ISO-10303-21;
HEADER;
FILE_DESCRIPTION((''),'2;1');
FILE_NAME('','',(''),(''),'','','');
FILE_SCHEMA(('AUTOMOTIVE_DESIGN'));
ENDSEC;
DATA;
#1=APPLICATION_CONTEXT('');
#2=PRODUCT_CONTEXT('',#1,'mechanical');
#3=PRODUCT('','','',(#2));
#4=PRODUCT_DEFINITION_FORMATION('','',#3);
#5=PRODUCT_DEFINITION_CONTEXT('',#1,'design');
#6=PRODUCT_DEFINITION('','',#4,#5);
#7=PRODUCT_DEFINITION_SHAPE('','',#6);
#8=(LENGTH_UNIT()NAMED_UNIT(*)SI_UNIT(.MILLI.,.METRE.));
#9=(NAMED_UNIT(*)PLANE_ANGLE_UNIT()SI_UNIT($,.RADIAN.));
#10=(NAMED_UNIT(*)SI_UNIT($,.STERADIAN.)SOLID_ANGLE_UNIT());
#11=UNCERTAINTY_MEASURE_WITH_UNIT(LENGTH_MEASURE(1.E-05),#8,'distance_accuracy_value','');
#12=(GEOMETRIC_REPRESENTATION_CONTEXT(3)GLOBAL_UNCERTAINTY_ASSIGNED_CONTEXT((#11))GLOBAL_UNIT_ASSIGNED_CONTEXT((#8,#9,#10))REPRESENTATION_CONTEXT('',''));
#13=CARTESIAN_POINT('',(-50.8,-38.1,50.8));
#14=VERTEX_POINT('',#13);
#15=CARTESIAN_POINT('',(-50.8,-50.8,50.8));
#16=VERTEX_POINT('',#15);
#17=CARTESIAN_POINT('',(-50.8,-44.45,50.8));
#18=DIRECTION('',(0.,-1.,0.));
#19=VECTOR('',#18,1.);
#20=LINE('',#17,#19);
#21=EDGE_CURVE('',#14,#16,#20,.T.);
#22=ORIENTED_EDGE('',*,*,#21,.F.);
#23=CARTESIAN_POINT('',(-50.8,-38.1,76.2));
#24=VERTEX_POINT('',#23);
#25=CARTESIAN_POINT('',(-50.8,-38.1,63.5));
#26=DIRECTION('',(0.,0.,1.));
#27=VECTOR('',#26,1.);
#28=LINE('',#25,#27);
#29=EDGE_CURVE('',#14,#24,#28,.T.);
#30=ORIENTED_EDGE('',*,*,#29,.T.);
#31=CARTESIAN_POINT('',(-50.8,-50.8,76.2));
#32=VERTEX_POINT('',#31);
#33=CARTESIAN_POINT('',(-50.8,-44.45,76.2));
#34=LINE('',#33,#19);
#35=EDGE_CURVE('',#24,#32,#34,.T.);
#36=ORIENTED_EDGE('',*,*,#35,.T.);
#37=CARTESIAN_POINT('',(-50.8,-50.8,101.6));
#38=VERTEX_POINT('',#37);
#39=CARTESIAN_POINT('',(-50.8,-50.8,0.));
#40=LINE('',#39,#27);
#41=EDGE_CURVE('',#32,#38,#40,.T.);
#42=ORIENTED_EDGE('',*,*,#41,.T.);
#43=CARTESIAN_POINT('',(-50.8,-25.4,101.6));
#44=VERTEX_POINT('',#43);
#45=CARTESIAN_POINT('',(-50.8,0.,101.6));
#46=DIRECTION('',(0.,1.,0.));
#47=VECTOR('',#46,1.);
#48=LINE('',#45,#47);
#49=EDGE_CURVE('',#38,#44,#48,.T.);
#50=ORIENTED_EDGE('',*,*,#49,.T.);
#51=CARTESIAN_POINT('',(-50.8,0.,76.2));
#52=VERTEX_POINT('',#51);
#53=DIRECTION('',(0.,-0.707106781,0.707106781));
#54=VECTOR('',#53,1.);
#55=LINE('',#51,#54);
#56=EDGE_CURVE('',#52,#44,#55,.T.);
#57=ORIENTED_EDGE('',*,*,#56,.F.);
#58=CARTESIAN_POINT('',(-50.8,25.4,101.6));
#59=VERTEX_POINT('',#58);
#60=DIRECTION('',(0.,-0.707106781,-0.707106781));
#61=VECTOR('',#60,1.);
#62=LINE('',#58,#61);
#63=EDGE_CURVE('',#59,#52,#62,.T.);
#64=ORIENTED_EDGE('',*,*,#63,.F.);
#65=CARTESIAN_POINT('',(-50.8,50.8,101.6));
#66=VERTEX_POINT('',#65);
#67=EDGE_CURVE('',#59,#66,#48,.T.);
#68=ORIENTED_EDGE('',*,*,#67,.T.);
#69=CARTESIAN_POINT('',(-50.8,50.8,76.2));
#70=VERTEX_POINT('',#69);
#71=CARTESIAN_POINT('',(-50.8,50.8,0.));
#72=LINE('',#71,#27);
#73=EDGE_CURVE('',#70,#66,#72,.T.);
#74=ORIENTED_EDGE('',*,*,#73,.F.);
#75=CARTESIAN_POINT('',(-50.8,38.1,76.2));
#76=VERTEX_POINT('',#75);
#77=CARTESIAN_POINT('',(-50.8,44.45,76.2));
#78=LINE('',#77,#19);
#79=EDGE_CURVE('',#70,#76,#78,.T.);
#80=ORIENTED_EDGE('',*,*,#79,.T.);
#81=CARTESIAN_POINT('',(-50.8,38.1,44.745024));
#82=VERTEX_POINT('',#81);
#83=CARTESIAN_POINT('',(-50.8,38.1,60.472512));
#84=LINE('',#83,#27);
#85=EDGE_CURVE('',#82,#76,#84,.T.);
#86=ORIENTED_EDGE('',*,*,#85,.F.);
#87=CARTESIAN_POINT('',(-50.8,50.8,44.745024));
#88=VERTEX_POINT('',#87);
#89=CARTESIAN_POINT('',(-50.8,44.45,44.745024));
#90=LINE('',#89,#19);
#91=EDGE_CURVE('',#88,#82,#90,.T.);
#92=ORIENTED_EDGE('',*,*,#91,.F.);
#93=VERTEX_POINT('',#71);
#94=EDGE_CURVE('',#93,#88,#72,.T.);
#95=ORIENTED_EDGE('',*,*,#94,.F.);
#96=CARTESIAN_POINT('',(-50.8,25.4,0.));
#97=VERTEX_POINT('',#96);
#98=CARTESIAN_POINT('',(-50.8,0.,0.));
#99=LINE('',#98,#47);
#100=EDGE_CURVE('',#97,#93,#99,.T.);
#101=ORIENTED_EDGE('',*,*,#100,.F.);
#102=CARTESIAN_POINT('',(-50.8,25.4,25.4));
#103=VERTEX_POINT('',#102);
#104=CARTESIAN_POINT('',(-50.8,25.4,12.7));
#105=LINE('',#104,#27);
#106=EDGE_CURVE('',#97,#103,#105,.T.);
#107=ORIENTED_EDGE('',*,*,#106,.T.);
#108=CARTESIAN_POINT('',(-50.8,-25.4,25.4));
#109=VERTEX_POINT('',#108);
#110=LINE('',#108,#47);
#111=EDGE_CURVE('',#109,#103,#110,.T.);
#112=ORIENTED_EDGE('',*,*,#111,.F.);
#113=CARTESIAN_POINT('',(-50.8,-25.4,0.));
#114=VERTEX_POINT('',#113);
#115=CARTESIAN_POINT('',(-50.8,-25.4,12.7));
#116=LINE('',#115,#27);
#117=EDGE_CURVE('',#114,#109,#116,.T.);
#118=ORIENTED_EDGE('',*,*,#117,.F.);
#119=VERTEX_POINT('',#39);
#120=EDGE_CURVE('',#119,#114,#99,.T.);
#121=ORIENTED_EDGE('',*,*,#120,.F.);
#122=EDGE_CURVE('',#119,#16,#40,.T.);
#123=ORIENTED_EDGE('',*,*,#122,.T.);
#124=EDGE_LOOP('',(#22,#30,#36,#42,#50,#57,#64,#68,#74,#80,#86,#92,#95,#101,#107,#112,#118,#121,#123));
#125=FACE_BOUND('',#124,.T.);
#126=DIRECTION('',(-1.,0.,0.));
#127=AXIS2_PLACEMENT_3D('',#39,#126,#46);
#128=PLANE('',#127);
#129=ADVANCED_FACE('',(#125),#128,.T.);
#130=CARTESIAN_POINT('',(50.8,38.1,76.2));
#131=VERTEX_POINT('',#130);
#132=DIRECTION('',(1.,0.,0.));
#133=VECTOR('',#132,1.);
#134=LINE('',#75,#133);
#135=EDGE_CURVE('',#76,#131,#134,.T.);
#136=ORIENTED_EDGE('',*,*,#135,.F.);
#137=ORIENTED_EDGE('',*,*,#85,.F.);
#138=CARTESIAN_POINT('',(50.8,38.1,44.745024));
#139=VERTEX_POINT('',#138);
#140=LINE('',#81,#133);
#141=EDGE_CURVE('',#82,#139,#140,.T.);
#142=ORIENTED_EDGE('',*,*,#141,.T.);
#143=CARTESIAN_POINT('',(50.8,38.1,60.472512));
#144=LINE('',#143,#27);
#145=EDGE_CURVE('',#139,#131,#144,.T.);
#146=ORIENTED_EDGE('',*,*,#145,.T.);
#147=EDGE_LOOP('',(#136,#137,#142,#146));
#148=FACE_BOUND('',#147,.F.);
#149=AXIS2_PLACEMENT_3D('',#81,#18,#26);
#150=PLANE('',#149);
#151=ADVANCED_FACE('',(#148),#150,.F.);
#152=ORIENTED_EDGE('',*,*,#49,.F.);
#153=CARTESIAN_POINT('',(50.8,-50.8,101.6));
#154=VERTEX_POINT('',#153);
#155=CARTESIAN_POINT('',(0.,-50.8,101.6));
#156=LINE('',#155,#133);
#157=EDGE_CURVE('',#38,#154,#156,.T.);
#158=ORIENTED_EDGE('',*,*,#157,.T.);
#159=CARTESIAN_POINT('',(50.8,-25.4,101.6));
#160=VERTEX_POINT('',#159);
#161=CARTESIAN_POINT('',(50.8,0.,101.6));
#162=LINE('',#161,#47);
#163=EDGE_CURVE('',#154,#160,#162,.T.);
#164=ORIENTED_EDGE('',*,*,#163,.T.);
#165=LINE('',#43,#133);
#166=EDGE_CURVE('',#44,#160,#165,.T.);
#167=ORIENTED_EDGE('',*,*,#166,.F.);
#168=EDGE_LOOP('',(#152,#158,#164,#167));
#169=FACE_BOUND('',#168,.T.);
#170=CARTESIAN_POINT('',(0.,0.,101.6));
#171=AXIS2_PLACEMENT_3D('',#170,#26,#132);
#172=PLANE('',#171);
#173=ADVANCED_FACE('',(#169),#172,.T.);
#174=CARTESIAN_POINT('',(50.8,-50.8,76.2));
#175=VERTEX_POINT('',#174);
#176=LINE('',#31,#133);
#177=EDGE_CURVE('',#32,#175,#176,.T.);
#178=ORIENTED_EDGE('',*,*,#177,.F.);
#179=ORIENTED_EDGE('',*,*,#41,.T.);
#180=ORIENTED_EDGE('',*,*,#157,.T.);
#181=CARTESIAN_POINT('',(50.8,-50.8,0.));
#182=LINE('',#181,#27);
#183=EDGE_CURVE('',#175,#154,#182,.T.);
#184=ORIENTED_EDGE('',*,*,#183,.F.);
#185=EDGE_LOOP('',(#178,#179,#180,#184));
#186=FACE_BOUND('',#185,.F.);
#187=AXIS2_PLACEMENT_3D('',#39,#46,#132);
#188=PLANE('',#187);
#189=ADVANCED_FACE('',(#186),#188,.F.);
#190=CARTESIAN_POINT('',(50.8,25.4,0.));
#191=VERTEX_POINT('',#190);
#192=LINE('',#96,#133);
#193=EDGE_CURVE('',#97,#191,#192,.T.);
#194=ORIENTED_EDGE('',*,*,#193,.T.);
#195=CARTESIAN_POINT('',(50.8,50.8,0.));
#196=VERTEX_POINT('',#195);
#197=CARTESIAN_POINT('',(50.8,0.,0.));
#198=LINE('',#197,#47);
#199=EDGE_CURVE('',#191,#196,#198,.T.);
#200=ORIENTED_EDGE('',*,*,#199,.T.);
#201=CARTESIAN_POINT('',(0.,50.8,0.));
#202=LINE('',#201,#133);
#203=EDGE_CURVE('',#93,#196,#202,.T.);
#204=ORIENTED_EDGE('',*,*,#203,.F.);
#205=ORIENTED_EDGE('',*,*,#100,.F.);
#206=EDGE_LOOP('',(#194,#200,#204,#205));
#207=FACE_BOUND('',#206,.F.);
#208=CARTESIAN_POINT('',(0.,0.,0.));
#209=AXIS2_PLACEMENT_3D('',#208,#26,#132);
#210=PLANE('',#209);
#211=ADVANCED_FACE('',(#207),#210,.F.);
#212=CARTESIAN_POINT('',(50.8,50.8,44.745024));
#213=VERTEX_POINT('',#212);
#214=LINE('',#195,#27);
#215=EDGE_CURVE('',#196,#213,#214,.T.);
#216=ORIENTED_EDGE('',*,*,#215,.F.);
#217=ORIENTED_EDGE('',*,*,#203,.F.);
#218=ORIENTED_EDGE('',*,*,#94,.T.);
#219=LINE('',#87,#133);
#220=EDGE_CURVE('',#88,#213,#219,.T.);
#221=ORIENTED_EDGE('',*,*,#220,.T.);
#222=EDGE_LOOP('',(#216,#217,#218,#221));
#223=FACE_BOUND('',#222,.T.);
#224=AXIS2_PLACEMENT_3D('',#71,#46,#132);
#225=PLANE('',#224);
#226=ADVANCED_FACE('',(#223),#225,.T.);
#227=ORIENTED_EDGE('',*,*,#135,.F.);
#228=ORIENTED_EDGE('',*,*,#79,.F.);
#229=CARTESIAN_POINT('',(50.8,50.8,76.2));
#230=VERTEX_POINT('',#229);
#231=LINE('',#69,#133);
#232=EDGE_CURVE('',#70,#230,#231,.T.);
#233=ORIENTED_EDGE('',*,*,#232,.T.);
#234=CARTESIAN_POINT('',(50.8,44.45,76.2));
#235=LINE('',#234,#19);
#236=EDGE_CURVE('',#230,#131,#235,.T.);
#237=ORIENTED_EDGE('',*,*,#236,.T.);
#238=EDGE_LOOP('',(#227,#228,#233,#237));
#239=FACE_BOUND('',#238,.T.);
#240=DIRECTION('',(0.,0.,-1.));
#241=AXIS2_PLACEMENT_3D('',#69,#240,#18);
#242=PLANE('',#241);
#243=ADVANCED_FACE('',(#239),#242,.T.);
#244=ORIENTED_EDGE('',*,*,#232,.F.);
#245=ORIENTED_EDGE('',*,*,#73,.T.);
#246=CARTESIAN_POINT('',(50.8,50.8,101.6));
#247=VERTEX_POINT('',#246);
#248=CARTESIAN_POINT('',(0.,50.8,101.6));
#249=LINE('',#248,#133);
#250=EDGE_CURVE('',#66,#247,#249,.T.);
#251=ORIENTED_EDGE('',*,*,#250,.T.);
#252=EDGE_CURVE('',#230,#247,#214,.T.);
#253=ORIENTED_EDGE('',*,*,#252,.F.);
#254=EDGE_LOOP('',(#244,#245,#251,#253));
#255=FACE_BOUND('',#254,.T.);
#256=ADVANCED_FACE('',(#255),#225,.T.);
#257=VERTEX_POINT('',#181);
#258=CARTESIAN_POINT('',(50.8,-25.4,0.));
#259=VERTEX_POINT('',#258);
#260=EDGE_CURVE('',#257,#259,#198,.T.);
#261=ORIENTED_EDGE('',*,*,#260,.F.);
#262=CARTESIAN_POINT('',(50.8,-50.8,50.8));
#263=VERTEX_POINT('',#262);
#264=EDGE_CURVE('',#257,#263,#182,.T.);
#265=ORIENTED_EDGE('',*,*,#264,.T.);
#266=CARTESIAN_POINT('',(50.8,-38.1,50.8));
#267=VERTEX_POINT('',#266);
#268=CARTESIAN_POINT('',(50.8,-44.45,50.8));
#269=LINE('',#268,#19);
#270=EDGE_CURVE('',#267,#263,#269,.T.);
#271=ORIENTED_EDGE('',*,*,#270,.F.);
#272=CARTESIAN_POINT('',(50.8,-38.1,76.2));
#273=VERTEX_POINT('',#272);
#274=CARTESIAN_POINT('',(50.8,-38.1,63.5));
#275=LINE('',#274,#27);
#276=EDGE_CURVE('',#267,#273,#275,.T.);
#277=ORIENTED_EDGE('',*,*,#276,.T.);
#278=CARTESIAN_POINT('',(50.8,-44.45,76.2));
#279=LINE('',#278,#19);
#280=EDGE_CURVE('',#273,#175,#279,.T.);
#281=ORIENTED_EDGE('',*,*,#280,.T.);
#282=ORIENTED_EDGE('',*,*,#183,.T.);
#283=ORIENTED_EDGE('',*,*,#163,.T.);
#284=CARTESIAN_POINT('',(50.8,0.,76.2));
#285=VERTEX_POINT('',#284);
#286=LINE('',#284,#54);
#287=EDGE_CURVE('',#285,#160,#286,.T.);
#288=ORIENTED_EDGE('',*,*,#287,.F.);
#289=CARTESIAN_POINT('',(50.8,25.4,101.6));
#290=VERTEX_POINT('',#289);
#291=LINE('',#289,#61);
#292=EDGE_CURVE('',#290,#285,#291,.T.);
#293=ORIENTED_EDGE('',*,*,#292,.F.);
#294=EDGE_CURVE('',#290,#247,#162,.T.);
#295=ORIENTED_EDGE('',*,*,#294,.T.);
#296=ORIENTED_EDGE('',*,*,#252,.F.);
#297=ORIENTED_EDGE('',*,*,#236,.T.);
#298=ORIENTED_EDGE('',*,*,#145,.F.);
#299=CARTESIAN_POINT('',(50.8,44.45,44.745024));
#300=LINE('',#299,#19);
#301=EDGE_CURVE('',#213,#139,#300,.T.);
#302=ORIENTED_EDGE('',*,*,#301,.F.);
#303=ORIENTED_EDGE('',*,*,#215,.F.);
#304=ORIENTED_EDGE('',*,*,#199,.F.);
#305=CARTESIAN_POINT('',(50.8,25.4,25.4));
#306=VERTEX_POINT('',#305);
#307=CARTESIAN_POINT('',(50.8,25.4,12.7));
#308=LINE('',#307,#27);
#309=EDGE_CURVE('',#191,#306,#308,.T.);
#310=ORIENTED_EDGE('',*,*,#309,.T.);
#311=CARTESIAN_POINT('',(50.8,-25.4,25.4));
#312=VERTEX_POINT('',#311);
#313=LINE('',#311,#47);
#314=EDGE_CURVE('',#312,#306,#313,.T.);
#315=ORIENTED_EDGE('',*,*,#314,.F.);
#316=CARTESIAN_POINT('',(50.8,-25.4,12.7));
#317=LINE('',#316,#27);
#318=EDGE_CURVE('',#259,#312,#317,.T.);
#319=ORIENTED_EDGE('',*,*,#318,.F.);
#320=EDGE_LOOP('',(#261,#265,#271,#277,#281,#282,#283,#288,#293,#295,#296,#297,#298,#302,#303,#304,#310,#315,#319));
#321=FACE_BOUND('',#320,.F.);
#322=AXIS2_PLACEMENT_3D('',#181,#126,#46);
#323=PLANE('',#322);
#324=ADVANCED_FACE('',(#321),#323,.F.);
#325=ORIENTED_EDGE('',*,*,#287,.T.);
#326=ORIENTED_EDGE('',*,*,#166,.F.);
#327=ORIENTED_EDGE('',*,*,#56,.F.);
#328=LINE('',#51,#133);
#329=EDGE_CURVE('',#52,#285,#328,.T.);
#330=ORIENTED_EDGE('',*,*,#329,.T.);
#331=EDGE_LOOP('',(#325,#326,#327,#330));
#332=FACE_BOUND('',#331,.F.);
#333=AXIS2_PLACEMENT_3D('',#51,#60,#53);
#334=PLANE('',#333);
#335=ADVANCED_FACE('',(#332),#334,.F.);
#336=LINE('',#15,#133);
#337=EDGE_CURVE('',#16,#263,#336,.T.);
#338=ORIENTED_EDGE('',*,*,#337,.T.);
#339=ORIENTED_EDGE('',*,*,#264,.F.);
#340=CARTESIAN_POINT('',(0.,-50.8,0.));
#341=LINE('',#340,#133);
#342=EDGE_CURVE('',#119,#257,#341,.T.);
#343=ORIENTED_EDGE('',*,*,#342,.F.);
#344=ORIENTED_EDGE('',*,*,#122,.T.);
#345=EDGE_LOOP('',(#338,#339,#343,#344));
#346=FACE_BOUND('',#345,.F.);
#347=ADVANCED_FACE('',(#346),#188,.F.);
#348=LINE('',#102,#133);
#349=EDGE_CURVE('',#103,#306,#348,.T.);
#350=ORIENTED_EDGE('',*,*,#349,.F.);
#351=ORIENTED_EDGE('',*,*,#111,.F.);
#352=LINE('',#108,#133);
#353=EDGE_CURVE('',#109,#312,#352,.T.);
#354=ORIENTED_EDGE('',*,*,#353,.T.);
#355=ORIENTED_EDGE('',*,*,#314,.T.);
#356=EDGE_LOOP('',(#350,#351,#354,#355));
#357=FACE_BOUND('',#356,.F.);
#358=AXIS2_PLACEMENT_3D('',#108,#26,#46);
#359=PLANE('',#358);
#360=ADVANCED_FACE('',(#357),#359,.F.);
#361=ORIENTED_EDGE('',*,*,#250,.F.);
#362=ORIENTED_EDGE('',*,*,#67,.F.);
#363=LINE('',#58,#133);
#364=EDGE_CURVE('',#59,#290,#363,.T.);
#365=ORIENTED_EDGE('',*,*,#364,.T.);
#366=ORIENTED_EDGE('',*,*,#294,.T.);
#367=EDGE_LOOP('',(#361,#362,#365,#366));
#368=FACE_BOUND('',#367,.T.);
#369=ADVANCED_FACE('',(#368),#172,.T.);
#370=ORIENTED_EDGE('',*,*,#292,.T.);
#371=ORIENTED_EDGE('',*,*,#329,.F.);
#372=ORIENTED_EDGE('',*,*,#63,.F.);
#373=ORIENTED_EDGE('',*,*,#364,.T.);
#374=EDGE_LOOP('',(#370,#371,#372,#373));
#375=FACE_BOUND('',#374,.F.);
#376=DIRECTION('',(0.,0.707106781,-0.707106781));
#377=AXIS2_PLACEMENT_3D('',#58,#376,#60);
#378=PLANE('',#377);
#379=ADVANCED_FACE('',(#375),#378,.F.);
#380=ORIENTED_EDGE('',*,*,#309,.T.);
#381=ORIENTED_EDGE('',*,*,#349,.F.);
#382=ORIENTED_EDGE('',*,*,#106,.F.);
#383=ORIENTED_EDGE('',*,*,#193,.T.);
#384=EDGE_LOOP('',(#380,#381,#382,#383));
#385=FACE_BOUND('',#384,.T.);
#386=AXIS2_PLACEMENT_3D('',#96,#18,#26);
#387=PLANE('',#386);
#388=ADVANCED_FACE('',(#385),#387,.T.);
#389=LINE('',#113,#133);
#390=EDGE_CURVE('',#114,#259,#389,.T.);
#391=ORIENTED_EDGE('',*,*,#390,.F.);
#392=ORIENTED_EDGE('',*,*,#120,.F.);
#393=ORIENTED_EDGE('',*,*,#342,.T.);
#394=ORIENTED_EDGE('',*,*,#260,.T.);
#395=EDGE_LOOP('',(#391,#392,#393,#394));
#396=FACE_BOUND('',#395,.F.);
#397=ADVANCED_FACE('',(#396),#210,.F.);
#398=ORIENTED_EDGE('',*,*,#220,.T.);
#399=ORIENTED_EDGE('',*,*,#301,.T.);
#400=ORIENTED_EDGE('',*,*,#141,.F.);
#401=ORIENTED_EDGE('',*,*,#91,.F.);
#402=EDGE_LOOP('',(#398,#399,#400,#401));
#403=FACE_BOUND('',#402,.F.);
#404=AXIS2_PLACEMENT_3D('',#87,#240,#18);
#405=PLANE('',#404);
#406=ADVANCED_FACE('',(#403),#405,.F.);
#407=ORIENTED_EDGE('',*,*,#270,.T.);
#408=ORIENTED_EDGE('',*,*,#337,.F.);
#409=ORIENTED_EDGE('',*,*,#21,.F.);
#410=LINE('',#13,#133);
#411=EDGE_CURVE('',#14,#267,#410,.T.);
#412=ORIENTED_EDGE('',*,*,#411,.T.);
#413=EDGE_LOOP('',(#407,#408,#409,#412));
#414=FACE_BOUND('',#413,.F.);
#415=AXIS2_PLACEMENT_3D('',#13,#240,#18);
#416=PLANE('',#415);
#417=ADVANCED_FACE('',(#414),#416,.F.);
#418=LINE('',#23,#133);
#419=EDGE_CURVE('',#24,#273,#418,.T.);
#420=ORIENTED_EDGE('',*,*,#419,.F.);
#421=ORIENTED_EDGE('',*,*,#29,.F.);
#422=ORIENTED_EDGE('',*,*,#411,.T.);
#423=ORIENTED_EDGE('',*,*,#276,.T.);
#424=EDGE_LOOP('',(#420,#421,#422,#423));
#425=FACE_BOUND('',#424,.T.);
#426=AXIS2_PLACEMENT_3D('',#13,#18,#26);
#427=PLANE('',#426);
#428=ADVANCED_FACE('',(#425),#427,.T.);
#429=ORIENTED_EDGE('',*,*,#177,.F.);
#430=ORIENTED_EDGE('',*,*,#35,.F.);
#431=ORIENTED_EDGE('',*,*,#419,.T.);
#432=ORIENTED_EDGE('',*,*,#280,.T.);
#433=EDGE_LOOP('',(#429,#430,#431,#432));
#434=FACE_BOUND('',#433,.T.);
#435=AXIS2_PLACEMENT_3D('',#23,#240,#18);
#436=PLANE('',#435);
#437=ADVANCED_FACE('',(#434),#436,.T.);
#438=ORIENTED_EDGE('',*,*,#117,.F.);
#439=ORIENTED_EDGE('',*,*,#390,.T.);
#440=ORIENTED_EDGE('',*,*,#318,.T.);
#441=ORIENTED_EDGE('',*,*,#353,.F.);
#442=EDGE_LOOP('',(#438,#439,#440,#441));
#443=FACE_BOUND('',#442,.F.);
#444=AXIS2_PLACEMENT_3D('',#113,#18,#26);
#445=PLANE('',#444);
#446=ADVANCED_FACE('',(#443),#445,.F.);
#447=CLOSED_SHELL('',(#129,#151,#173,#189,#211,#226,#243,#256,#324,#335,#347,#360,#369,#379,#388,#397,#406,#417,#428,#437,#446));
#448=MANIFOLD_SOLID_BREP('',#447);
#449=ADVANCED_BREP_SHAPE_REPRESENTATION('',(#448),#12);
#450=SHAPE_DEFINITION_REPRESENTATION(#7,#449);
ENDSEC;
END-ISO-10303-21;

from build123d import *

# Parameters (mm, degrees)
F0_W     = 101.6
F0_H     = 101.6
F1_DEPTH = 101.6
F2_W     = 12.7
F2_H     = 31.454976
F2_H_2   = 25.4
F2_W_2   = 25.4
F3_DEPTH = 101.6
F5_DEPTH = 101.6


with BuildPart() as f1:
    # F0 (on Top) → F1 (new body)
    with BuildSketch(Plane.XY):
        Rectangle(F0_W, F0_H)
    extrude(amount=F1_DEPTH)

    # F2 (on face) → F3 (cut)
    with BuildSketch(Plane(origin=(-50.8, 0, 0), x_dir=(0, -1, 0), z_dir=(-1, 0, 0))):
        with Locations((-44.45, 60.472512)):
            Rectangle(F2_W, F2_H)
        with Locations((44.45, 63.5)):
            Rectangle(F2_W, F2_H_2)
        with Locations((-12.7, 12.7)):
            Rectangle(F2_W_2, F2_H_2)
        with Locations((12.7, 12.7)):
            Rectangle(F2_W_2, F2_H_2)
    extrude(amount=-F3_DEPTH, mode=Mode.SUBTRACT)

    # F4 (on face) → F5 (cut)
    with BuildSketch(Plane(origin=(-50.8, 0, 0), x_dir=(0, -1, 0), z_dir=(-1, 0, 0))):
        Polygon((0, 101.6), (-25.4, 101.6), (0, 76.2), align=None)
        Polygon((25.4, 101.6), (0, 101.6), (0, 76.2), align=None)
    extrude(amount=-F5_DEPTH, mode=Mode.SUBTRACT)


solid = f1.part
